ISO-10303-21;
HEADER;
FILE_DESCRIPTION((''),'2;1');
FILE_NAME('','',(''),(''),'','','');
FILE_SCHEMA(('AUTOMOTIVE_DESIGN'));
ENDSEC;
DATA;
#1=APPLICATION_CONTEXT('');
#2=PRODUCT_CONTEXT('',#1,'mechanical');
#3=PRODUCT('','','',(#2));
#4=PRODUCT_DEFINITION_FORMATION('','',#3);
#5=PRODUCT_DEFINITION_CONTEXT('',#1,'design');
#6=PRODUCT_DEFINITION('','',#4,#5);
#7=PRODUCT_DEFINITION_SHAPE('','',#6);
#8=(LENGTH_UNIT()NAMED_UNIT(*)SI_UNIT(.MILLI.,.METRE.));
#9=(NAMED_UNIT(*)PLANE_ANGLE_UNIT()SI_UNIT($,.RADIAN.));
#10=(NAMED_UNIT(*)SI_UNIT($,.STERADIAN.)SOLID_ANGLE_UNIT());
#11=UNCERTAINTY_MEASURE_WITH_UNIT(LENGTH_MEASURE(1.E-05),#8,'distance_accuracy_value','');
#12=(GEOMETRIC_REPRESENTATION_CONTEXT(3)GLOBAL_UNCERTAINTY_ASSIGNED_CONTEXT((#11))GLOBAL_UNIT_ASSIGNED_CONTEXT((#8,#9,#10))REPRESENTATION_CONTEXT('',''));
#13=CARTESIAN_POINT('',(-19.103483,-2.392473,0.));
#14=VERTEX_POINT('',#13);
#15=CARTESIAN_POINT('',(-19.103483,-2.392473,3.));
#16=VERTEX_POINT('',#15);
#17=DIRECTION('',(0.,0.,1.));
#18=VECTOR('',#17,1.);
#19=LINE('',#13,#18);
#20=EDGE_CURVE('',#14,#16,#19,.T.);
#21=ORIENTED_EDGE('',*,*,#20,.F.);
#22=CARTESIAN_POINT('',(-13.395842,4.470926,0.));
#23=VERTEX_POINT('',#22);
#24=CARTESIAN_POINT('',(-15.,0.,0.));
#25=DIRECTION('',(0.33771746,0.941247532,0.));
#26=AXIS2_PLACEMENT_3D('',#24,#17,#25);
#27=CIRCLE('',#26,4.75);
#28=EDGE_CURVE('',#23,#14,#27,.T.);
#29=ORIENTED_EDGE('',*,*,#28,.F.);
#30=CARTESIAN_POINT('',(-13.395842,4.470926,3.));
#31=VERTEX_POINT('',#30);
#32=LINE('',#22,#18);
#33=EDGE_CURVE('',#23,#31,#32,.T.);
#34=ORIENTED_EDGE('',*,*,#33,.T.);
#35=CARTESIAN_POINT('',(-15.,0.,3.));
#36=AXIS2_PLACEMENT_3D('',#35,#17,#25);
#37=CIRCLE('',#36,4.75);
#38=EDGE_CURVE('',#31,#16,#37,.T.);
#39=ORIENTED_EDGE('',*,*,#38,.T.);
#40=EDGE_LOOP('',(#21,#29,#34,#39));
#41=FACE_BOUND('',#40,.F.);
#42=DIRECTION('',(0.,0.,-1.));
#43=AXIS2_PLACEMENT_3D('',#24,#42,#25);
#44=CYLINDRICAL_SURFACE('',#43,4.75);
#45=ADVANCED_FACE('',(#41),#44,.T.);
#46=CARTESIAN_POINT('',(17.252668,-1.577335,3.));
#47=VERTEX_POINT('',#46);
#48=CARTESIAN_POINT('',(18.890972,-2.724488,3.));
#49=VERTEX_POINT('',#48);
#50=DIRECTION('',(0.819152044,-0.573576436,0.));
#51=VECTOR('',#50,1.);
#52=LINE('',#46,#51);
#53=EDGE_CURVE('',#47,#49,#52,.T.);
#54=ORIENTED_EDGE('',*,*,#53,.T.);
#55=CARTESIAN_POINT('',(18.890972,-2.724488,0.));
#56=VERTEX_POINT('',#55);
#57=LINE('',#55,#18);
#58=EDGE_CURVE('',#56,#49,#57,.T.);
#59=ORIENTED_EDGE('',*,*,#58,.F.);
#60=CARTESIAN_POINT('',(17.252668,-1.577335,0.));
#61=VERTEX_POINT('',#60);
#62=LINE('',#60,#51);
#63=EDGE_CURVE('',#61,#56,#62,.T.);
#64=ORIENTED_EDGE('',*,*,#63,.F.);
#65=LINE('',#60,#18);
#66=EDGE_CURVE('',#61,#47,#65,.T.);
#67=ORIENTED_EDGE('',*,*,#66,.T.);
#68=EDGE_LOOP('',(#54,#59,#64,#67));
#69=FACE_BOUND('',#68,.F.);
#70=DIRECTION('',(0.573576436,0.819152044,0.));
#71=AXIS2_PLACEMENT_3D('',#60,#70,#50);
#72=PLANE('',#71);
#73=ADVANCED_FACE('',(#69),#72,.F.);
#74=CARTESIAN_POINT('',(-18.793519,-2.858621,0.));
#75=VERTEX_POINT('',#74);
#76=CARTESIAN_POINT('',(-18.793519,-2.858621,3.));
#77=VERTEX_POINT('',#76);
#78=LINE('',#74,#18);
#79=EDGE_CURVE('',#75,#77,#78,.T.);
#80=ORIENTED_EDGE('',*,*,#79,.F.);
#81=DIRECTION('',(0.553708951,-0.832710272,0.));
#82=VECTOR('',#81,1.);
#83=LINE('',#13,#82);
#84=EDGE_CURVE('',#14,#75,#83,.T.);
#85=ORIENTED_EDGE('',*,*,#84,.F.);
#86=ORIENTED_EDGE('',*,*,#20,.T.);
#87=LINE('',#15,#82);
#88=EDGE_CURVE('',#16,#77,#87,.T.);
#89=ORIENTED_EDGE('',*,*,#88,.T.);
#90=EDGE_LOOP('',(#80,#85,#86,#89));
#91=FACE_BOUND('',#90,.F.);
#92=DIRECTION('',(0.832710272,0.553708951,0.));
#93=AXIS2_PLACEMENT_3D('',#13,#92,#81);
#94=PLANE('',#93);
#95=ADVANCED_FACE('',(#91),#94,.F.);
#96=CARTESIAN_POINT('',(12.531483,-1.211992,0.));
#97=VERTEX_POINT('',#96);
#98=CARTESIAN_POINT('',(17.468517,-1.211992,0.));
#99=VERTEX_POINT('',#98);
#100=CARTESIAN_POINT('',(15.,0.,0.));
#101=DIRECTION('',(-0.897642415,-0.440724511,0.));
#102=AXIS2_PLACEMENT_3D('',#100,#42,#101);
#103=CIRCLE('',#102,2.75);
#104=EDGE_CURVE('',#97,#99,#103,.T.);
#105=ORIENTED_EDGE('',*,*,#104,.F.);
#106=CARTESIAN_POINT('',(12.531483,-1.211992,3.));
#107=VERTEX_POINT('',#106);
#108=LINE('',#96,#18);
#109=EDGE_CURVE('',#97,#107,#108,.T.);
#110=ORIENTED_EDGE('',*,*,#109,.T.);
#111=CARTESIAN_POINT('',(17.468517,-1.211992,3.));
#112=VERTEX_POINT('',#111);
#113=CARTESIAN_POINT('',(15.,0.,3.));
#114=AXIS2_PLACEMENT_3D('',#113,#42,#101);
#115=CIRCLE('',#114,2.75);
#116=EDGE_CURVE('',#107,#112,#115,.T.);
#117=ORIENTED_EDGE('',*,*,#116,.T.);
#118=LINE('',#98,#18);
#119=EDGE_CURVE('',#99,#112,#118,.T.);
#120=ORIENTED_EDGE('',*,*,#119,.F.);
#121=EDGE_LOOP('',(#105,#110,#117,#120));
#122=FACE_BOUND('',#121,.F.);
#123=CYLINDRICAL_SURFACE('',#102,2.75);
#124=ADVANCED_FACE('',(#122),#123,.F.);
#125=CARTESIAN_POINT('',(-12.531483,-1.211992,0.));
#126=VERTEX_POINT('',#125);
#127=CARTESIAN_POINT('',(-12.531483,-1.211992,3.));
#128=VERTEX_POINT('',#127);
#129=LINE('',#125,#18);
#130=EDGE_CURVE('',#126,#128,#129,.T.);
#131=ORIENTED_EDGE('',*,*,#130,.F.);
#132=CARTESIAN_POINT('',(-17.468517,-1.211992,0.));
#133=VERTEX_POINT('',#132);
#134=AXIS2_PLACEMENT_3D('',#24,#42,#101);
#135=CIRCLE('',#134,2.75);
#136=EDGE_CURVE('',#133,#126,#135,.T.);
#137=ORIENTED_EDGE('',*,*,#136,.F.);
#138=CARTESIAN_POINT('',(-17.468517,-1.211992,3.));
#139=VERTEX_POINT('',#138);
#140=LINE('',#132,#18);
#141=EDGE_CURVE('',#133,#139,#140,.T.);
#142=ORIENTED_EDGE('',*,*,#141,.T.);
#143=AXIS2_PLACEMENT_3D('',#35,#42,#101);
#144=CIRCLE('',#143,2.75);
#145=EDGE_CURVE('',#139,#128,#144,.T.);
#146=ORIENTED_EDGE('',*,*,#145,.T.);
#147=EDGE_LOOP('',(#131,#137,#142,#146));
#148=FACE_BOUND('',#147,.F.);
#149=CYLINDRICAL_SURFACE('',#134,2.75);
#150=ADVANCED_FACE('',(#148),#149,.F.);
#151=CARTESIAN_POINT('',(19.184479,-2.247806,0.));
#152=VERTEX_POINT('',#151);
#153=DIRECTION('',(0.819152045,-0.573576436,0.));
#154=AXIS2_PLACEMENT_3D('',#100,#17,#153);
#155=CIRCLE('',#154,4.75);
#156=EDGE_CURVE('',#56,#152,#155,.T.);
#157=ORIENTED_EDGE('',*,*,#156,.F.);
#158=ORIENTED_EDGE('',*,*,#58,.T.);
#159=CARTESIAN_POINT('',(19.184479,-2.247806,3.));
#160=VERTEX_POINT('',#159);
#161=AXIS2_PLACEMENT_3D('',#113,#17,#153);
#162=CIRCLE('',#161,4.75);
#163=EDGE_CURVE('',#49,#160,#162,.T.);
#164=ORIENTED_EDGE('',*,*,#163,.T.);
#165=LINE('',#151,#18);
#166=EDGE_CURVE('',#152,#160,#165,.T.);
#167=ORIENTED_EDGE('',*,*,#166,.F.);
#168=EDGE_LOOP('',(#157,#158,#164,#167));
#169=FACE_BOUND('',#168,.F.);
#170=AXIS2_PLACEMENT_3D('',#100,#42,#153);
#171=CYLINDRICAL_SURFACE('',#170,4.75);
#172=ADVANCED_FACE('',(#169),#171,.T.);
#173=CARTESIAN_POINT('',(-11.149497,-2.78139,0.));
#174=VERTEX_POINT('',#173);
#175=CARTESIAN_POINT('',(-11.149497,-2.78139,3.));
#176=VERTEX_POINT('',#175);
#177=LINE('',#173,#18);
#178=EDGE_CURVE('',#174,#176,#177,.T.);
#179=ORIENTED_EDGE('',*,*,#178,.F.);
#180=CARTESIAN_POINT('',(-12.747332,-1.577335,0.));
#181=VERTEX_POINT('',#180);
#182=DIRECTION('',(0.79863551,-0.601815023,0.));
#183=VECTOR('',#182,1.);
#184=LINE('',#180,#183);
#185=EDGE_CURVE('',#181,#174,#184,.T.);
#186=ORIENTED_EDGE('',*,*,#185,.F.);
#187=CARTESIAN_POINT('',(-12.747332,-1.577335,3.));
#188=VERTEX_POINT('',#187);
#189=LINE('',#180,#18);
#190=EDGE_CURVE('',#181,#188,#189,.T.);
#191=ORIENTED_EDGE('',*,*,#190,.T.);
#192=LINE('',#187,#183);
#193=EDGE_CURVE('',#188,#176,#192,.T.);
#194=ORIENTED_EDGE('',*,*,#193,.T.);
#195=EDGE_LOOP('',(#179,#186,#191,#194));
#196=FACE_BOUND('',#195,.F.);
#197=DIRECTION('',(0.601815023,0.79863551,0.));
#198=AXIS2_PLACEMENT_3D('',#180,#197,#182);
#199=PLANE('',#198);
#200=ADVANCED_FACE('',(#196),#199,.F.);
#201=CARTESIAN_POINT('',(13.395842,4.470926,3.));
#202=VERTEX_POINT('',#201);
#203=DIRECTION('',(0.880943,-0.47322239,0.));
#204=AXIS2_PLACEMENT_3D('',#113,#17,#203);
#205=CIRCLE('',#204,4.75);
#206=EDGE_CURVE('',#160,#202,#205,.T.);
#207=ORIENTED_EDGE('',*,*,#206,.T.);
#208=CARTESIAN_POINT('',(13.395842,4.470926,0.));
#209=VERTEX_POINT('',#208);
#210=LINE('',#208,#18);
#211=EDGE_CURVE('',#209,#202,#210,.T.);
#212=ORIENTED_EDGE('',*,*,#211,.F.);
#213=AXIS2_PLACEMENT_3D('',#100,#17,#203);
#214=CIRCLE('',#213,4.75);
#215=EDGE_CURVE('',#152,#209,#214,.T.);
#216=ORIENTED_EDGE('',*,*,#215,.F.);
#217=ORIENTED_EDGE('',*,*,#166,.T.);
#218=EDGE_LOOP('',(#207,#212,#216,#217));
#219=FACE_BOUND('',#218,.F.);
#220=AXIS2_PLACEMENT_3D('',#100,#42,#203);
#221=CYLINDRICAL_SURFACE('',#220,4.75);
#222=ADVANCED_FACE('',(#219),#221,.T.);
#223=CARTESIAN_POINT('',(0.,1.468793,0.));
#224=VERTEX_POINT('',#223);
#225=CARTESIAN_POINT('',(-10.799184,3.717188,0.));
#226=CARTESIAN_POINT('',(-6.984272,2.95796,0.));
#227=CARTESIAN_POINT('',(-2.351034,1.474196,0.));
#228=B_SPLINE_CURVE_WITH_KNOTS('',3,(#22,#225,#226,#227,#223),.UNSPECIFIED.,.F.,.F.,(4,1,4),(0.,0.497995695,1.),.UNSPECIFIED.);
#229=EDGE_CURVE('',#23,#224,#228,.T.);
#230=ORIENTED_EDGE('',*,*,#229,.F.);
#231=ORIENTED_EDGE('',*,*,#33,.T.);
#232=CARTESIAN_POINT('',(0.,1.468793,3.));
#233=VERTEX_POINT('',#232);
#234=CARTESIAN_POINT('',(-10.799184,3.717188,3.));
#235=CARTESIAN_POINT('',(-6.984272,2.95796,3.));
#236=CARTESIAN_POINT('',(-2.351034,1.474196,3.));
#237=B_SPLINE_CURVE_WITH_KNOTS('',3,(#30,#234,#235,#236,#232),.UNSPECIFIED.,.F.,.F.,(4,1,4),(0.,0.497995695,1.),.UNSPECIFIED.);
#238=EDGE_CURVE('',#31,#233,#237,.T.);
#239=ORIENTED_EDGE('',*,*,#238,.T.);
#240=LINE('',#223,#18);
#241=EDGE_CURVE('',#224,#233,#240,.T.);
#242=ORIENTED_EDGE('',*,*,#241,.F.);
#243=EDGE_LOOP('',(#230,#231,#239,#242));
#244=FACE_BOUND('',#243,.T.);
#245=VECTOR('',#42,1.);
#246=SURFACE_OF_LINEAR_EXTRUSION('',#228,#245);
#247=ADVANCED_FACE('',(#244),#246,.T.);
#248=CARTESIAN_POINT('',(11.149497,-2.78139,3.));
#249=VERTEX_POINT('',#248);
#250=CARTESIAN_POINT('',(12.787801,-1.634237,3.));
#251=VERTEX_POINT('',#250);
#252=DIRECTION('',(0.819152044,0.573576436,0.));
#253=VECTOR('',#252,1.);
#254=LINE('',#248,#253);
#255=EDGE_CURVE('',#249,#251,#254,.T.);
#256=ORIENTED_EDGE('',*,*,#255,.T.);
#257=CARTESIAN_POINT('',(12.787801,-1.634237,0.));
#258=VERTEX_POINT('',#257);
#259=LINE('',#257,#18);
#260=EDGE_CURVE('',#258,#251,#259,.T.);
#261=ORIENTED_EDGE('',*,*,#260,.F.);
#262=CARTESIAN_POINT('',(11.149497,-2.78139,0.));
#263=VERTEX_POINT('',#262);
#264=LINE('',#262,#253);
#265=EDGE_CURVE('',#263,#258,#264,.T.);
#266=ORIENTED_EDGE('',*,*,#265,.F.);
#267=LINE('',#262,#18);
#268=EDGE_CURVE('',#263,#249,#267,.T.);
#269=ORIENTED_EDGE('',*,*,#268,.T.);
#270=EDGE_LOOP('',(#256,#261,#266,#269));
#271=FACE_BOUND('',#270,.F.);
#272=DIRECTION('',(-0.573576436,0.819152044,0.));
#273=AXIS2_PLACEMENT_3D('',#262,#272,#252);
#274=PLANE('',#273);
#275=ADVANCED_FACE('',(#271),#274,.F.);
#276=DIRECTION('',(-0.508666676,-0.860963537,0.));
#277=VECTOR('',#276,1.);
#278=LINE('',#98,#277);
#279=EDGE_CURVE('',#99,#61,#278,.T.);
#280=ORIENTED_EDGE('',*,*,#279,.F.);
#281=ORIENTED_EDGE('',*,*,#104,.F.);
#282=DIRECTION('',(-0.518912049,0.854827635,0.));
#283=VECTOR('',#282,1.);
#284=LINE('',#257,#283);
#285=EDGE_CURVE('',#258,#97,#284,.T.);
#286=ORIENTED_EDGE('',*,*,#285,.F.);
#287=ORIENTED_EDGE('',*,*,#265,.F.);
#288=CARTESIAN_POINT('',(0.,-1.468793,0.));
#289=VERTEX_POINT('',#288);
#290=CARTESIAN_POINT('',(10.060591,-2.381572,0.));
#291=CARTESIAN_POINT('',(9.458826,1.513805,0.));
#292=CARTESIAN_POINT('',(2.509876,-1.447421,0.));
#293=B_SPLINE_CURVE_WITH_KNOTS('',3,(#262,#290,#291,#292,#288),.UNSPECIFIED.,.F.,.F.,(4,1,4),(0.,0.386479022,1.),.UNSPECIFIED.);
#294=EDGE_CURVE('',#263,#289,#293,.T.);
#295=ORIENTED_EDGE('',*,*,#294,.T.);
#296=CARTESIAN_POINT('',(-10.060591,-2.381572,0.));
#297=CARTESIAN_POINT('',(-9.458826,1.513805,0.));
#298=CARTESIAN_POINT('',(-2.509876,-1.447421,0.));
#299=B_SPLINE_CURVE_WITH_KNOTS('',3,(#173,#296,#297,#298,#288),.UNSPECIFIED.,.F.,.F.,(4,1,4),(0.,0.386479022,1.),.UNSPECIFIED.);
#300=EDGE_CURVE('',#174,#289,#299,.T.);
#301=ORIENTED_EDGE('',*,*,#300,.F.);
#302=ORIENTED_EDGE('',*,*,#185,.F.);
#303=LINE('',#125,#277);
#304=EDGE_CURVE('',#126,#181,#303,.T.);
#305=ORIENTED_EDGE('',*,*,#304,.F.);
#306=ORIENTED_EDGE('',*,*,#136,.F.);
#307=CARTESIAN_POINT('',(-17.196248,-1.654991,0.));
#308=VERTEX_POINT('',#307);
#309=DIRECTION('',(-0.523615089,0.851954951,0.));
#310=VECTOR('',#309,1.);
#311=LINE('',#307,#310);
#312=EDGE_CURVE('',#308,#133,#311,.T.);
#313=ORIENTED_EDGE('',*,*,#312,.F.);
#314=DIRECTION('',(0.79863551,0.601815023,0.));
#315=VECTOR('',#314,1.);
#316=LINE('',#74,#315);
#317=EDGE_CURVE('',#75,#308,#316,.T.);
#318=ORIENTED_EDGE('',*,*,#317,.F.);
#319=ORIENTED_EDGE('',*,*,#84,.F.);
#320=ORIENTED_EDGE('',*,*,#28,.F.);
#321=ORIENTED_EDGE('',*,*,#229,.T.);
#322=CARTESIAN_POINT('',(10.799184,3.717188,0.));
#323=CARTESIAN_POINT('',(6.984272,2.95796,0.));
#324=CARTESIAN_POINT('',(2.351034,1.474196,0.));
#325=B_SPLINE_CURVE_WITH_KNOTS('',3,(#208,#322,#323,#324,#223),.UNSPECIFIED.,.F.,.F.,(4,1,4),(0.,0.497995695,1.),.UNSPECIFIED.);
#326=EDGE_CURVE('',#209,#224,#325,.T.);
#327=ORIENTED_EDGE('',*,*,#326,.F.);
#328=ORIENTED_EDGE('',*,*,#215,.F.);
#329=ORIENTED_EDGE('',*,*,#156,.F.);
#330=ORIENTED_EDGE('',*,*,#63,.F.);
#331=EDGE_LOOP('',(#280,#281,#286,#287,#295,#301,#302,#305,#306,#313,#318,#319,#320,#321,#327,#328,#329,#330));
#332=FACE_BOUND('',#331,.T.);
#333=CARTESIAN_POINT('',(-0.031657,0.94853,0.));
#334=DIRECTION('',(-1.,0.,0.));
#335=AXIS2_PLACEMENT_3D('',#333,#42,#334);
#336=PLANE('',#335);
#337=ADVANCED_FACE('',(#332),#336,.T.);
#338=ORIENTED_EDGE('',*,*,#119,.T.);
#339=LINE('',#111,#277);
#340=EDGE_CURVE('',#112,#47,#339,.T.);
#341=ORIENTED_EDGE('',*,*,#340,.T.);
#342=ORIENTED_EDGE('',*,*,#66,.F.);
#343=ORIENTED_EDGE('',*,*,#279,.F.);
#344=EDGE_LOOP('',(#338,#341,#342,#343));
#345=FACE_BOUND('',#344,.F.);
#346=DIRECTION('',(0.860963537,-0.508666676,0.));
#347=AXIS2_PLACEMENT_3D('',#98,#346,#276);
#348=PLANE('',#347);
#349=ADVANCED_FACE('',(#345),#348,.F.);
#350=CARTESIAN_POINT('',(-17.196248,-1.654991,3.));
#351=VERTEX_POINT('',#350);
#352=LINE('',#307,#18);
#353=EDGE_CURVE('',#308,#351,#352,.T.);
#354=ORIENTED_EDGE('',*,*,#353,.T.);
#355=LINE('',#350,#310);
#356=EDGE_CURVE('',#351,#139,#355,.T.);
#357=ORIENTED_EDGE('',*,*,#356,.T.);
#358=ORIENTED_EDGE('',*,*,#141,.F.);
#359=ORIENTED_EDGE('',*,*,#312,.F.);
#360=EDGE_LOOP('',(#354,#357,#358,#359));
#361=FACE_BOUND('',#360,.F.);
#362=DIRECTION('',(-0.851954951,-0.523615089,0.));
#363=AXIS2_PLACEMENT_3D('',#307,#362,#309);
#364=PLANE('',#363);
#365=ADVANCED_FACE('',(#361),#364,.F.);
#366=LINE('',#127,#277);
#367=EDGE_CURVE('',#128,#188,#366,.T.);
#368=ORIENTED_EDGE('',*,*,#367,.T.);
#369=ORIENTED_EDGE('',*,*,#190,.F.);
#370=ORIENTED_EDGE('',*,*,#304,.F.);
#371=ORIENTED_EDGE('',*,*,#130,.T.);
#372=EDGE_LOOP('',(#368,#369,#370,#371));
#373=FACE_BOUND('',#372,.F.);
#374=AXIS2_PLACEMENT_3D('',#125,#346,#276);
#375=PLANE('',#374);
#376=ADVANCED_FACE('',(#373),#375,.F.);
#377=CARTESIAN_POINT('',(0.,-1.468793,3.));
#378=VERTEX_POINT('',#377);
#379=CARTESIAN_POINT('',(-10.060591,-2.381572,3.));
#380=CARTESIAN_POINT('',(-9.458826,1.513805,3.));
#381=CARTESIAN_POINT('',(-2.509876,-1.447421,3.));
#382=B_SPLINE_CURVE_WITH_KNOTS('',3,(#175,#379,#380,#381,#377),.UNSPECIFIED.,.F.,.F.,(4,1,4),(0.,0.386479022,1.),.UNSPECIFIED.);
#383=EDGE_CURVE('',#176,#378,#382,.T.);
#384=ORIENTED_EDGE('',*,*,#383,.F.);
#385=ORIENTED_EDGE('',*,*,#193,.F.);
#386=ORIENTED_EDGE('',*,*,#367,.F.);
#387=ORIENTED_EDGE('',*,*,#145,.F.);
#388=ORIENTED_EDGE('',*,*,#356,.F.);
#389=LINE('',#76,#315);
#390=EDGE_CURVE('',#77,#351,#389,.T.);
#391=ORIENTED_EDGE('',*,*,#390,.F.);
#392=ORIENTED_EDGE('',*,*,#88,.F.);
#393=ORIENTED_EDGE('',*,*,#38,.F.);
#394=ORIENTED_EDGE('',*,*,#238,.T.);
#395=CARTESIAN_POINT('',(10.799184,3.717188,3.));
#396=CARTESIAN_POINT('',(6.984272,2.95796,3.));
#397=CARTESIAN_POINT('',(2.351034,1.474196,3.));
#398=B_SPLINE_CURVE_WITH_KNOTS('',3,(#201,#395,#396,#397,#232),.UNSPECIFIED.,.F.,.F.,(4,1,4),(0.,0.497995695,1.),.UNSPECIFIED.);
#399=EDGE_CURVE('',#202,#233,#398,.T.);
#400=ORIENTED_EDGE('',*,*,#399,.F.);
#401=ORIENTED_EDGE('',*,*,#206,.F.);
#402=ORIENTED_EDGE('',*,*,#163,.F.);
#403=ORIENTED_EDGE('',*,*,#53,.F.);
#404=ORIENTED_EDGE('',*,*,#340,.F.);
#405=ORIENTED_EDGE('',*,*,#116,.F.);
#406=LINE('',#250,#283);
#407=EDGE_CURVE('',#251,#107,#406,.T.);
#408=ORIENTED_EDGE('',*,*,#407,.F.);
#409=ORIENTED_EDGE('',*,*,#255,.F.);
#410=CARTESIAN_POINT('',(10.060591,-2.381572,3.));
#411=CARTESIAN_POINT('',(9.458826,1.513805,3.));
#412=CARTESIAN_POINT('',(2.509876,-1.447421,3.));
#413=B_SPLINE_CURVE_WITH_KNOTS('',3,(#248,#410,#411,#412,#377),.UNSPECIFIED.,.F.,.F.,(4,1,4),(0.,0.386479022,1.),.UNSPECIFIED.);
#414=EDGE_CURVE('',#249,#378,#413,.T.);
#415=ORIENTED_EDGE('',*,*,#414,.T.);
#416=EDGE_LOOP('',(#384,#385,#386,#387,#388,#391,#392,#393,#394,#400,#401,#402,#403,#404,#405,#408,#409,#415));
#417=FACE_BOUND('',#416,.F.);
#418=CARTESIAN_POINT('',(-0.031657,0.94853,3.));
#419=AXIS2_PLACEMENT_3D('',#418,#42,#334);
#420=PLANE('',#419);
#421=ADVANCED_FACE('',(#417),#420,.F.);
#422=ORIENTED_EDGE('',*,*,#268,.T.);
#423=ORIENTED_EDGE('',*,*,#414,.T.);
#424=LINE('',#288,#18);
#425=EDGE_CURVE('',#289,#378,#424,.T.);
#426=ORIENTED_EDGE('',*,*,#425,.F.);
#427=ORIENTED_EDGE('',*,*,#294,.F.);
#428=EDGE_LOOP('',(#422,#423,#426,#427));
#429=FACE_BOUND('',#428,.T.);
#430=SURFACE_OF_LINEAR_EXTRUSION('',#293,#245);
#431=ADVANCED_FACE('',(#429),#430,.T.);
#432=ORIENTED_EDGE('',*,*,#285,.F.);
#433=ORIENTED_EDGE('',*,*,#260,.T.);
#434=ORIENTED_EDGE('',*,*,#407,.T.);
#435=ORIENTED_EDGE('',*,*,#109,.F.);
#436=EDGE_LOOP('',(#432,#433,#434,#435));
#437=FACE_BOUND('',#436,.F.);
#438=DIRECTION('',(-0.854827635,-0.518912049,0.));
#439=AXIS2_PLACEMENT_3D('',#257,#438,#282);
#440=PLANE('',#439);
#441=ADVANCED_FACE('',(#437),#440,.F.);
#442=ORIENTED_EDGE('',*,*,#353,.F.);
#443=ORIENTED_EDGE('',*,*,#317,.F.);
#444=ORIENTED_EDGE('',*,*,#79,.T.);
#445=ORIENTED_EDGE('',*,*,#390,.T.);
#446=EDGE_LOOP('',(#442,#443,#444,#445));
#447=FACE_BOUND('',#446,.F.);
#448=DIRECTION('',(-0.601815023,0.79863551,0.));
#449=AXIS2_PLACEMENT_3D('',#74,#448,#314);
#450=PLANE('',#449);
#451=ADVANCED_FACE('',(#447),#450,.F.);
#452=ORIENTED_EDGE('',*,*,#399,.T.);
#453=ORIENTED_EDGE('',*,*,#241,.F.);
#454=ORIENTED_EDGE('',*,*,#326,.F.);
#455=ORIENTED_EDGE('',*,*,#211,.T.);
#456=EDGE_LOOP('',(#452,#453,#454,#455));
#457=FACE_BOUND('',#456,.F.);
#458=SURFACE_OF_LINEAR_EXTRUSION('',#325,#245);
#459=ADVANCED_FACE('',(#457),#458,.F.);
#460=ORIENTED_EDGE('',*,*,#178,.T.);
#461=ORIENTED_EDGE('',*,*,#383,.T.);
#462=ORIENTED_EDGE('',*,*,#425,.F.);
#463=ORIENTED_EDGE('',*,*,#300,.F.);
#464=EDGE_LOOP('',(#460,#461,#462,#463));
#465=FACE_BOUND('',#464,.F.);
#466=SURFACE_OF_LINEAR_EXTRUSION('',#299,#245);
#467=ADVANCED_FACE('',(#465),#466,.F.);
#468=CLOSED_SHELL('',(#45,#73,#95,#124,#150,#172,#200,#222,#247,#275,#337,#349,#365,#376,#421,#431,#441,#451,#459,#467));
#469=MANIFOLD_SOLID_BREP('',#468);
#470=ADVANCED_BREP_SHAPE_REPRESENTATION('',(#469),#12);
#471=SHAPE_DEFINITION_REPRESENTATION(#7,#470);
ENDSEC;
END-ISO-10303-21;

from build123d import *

# Parameters (mm, degrees)
F1_DEPTH = 3


with BuildPart() as f1:
    # F0 (on Top) → F1 (new body)
    with BuildSketch(Plane.XY):
        with BuildLine():
            add(Edge.make_bspline(
                [(-13.3958420632, 4.4709257782), (-10.7991840455, 3.7171882654), (-6.9842723238, 2.9579603473), (-2.3510343693, 1.4741958774), (0, 1.4687934619)],
                knots=[0, 0, 0, 0, 0.4979956947, 1, 1, 1, 1], degree=3))
            ThreePointArc((-13.3958420632, 4.4709257782), (-18.6521525019, 3.037150326), (-19.1034828696, -2.3924732681))
            Line((-19.1034828696, -2.3924732681), (-19.0708550594, -2.4415414883))
            Line((-19.0708550594, -2.4415414883), (-18.7935186727, -2.85862136))
            Line((-18.7935186727, -2.85862136), (-17.1962476526, -1.6549913137))
            Line((-17.1962476526, -1.6549913137), (-17.4685166421, -1.2119924042))
            ThreePointArc((-17.4685166421, -1.2119924042), (-15, 2.75), (-12.5314833579, -1.2119924042))
            Line((-12.5314833579, -1.2119924042), (-12.7473318782, -1.5773352))
            Line((-12.7473318782, -1.5773352), (-11.1494973771, -2.7813898596))
            add(Edge.make_bspline(
                [(-11.1494973771, -2.7813898596), (-10.0605914436, -2.3815719814), (-9.4588256207, 1.513805476), (-2.5098763641, -1.4474214809), (0, -1.4687934619)],
                knots=[0, 0, 0, 0, 0.3864790218, 1, 1, 1, 1], degree=3))
            add(Edge.make_bspline(
                [(11.1494973771, -2.7813898596), (10.0605914436, -2.3815719814), (9.4588256207, 1.513805476), (2.5098763641, -1.4474214809), (0, -1.4687934619)],
                knots=[0, 0, 0, 0, 0.3864790218, 1, 1, 1, 1], degree=3))
            Line((11.1494973771, -2.7813898596), (12.7878014657, -1.6342369869))
            Line((12.7878014657, -1.6342369869), (12.5314833579, -1.2119924042))
            ThreePointArc((12.5314833579, -1.2119924042), (15, 2.75), (17.4685166421, -1.2119924042))
            Line((17.4685166421, -1.2119924042), (17.2526681218, -1.5773352))
            Line((17.2526681218, -1.5773352), (18.8909722104, -2.7244880727))
            ThreePointArc((18.8909722104, -2.7244880727), (19.0447540648, -2.490474765), (19.1844792517, -2.2478063512))
            ThreePointArc((19.1844792517, -2.2478063512), (18.5985906795, 3.1004266032), (13.3958420632, 4.4709257782))
            add(Edge.make_bspline(
                [(13.3958420632, 4.4709257782), (10.7991840455, 3.7171882654), (6.9842723238, 2.9579603473), (2.3510343693, 1.4741958774), (0, 1.4687934619)],
                knots=[0, 0, 0, 0, 0.4979956947, 1, 1, 1, 1], degree=3))
        make_face()
    extrude(amount=F1_DEPTH)


solid = f1.part
